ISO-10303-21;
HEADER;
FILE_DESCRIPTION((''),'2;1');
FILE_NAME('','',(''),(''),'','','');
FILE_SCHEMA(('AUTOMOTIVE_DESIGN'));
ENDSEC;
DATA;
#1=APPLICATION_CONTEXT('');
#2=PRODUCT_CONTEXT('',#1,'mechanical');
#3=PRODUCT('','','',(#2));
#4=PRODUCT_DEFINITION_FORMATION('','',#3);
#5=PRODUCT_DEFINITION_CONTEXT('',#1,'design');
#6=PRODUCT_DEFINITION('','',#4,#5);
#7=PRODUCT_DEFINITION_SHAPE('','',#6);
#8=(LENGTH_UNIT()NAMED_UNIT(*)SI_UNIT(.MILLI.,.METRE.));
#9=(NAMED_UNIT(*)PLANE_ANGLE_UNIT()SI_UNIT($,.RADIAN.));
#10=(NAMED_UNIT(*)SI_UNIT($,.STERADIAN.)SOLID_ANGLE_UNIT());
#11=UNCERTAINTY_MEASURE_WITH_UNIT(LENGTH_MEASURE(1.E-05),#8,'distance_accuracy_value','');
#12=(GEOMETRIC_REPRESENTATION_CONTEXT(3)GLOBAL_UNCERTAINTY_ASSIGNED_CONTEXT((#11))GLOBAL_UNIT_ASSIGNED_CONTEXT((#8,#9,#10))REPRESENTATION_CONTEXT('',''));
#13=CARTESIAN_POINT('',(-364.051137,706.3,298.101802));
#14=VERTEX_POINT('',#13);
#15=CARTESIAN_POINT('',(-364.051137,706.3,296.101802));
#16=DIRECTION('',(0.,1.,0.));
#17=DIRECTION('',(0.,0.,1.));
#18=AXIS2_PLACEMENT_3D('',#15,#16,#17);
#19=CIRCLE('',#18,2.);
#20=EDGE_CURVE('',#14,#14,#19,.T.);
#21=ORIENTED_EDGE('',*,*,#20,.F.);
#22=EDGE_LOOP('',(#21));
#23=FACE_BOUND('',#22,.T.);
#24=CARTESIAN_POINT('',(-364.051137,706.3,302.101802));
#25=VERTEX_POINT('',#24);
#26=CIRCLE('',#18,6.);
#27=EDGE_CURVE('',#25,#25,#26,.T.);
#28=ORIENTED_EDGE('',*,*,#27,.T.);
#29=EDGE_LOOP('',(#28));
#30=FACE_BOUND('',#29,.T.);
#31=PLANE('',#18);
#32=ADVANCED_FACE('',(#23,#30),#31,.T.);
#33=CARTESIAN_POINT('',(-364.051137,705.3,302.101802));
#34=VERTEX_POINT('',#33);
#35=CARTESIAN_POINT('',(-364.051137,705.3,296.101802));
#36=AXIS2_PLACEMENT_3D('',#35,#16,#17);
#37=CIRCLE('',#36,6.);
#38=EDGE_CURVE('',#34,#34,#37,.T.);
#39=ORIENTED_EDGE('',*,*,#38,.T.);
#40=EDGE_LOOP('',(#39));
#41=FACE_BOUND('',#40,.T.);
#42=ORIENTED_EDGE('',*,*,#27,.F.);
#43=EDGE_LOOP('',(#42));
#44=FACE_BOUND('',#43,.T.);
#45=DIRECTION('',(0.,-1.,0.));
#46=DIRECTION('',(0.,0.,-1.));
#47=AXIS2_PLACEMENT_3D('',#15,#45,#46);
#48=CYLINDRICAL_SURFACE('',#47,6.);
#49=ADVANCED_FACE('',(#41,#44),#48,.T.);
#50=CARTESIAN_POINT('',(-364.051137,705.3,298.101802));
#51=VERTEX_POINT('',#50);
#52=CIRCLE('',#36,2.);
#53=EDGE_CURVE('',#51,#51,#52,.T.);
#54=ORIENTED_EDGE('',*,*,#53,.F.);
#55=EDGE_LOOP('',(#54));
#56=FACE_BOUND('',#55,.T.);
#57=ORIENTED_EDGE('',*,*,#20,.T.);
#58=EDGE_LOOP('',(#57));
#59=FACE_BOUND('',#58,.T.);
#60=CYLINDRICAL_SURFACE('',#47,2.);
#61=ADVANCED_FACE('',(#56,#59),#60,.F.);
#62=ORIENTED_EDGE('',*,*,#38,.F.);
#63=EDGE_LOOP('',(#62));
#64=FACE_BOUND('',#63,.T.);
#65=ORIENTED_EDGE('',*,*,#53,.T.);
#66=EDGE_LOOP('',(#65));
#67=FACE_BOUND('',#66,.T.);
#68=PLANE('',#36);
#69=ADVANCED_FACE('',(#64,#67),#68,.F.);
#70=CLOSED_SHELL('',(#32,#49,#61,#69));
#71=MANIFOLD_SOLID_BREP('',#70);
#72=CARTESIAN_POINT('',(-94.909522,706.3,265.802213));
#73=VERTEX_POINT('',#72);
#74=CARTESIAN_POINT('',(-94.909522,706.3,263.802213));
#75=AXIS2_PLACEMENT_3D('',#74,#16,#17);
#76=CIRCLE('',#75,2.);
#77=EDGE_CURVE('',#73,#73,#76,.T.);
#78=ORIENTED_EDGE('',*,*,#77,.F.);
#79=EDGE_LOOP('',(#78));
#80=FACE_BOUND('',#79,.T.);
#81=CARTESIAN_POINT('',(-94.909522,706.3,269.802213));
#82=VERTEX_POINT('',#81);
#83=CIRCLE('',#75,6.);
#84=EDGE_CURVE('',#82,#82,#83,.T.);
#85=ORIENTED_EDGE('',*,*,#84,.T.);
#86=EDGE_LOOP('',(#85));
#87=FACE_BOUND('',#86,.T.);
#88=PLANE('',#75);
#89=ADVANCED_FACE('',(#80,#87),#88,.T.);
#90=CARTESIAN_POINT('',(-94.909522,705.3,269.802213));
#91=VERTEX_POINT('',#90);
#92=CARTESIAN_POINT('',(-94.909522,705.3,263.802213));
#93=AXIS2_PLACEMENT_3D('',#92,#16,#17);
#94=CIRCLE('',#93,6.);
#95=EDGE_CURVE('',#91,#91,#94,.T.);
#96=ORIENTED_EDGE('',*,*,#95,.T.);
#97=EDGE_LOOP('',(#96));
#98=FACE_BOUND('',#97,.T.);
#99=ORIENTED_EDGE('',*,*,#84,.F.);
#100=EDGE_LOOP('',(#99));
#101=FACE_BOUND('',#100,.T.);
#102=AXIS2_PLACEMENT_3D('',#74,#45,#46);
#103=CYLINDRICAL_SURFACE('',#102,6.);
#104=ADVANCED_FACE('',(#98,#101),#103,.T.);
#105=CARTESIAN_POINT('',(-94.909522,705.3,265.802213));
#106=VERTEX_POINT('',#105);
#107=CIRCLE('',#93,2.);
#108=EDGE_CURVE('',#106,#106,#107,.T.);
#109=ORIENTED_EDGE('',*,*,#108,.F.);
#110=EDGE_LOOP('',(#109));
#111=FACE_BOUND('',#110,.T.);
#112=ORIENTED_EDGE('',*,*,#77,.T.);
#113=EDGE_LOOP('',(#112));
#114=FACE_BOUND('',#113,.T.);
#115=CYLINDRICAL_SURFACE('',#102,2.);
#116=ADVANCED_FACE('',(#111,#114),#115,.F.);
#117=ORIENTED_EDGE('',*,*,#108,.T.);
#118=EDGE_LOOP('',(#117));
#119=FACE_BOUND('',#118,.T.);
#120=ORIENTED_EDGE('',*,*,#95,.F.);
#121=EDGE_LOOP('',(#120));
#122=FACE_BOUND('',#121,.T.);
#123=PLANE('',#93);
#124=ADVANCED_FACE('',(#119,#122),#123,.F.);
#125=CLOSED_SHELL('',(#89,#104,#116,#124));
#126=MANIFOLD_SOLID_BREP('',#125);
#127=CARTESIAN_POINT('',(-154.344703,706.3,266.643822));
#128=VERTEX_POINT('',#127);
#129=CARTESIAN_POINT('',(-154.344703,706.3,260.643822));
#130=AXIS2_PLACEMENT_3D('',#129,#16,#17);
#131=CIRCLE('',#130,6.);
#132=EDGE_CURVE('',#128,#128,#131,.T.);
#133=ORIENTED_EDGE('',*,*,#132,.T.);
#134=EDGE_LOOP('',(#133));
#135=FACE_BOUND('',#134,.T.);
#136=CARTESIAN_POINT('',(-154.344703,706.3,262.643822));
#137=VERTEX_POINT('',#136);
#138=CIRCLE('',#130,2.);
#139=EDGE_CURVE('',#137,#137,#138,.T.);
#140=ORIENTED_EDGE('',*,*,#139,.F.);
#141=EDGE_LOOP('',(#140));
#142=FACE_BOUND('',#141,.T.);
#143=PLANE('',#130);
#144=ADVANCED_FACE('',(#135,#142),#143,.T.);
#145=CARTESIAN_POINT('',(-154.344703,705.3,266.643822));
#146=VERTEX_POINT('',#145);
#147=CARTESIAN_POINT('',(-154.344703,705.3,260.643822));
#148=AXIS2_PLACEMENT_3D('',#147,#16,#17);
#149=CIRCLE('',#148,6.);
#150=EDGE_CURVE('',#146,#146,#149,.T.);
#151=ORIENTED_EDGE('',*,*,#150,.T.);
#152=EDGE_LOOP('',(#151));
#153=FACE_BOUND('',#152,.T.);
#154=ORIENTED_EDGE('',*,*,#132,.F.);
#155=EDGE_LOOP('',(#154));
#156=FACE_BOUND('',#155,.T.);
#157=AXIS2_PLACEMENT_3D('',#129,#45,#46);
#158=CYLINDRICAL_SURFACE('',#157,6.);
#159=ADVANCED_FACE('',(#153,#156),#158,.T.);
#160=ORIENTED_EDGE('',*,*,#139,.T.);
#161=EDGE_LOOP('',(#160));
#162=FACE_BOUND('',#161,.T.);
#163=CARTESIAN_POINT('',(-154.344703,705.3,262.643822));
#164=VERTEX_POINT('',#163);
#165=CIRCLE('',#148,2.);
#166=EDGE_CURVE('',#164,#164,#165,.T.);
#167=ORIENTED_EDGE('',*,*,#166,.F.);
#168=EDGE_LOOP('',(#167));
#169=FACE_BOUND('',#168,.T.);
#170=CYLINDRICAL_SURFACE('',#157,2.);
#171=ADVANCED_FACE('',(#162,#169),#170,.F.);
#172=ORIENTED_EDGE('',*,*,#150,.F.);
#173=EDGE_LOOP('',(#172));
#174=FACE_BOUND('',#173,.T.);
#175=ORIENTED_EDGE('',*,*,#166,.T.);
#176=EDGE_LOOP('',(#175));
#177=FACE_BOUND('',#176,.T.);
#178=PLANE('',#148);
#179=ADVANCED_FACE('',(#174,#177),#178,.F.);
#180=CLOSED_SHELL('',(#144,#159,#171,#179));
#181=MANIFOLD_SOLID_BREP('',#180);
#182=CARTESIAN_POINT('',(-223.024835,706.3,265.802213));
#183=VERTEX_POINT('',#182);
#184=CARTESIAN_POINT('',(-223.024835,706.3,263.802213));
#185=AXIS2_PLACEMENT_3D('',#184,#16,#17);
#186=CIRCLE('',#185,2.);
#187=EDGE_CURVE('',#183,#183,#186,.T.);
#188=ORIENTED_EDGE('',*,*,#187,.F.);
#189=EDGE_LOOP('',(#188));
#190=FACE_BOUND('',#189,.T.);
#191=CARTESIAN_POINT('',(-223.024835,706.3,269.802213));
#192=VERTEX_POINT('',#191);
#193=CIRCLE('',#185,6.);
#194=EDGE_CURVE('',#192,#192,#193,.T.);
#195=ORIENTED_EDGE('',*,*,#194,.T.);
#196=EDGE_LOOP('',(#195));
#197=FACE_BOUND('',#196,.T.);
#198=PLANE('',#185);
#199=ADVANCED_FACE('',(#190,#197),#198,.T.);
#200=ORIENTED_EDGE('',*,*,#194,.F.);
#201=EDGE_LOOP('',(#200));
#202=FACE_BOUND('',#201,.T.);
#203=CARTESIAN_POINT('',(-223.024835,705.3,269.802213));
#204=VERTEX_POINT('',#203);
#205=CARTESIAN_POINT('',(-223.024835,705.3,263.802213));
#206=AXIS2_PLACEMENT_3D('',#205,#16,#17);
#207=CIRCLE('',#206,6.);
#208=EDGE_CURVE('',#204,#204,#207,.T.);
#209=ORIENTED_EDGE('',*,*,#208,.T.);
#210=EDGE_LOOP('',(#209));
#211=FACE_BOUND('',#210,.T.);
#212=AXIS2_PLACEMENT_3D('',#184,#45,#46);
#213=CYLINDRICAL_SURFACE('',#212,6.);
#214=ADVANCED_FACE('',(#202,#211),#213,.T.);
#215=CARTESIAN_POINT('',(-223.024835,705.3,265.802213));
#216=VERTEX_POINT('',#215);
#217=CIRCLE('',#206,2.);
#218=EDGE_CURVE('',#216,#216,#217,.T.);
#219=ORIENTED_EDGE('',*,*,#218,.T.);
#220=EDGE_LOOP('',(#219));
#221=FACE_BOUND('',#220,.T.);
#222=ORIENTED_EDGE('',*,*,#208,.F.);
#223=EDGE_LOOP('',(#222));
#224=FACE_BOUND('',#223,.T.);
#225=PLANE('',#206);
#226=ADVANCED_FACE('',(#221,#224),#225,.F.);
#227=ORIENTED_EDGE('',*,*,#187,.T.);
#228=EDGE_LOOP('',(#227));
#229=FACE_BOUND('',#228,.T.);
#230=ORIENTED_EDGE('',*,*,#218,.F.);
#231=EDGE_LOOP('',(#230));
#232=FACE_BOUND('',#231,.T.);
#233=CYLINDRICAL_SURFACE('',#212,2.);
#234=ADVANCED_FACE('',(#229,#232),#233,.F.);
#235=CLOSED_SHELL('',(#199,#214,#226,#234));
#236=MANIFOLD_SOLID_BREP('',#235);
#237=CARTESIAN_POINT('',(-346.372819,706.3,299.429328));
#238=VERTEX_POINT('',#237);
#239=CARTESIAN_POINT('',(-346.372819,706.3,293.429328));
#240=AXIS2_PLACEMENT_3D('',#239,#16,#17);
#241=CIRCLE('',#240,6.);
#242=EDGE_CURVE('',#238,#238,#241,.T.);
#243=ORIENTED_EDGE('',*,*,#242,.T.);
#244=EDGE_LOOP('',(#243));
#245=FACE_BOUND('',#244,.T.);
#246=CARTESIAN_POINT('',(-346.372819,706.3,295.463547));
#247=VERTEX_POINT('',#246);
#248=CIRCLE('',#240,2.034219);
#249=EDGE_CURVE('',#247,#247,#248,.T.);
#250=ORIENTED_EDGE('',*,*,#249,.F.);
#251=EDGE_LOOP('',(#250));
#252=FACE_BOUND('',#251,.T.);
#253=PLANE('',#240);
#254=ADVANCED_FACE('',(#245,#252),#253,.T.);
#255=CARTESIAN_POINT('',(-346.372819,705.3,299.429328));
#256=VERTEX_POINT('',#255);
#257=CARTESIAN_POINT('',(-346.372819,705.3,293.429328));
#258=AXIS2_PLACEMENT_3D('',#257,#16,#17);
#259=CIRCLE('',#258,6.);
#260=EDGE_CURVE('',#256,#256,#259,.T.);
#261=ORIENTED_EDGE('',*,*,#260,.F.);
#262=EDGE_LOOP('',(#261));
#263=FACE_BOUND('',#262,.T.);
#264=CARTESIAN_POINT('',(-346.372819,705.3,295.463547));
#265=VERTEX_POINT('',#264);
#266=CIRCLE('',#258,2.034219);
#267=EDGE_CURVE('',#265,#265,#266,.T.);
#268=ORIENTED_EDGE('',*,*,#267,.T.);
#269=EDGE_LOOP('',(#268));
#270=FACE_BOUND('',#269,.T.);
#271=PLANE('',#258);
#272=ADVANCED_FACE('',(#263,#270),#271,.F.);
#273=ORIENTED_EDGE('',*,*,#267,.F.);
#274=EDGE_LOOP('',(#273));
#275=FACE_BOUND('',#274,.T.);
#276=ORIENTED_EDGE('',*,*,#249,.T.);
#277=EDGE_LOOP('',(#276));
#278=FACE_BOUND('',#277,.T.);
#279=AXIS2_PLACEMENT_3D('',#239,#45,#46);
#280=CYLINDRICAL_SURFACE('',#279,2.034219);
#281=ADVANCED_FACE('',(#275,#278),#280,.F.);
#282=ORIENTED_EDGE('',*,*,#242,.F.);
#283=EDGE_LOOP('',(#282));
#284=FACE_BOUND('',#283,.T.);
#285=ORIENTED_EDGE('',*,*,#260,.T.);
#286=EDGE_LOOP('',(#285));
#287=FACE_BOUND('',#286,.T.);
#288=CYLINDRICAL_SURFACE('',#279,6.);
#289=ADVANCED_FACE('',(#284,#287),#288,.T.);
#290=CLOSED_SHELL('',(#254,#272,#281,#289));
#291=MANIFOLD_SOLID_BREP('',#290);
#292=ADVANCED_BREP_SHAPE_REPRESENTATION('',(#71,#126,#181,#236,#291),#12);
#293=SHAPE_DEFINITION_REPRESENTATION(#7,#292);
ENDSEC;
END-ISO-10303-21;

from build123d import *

# Parameters (mm, degrees)
SZKIC1_R                      = 6
SZKIC1_R_2                    = 2
DODANIE_WYCI_GNI_CIE1_DEPTH   = 1
DODANIE_WYCI_GNI_CIE1_2_DEPTH = 1
DODANIE_WYCI_GNI_CIE1_3_DEPTH = 1
SZKIC1_R_3                    = 2.034219479
DODANIE_WYCI_GNI_CIE1_4_DEPTH = 1
DODANIE_WYCI_GNI_CIE1_5_DEPTH = 1


with BuildPart() as part:
    # Szkic1 → Dodanie-wyciągnięcie1 (new body)
    with BuildSketch(Plane(origin=(0, 705.3, 0), x_dir=(1, 0, 0), z_dir=(0, 1, 0))):
        with Locations((-94.909521544, -263.802212936)):
            Circle(SZKIC1_R)
        with Locations((-94.909521544, -263.802212936)):
            Circle(SZKIC1_R_2, mode=Mode.SUBTRACT)
    extrude(amount=DODANIE_WYCI_GNI_CIE1_DEPTH)


with BuildPart() as body_2:
    # Szkic1 → Dodanie-wyci_gni_cie1 2 (new body)
    with BuildSketch(Plane(origin=(0, 705.3, 0), x_dir=(1, 0, 0), z_dir=(0, 1, 0))):
        with Locations((-154.344703344, -260.643821632)):
            Circle(SZKIC1_R)
        with Locations((-154.344703344, -260.643821632)):
            Circle(SZKIC1_R_2, mode=Mode.SUBTRACT)
    extrude(amount=DODANIE_WYCI_GNI_CIE1_2_DEPTH)


with BuildPart() as body_3:
    # Szkic1 → Dodanie-wyci_gni_cie1 3 (new body)
    with BuildSketch(Plane(origin=(0, 705.3, 0), x_dir=(1, 0, 0), z_dir=(0, 1, 0))):
        with Locations((-223.024834581, -263.802212936)):
            Circle(SZKIC1_R)
        with Locations((-223.024834581, -263.802212936)):
            Circle(SZKIC1_R_2, mode=Mode.SUBTRACT)
    extrude(amount=DODANIE_WYCI_GNI_CIE1_3_DEPTH)


with BuildPart() as body_4:
    # Szkic1 → Dodanie-wyci_gni_cie1 4 (new body)
    with BuildSketch(Plane(origin=(0, 705.3, 0), x_dir=(1, 0, 0), z_dir=(0, 1, 0))):
        with Locations((-346.372819064, -293.429327819)):
            Circle(SZKIC1_R)
        with Locations((-346.372819064, -293.429327819)):
            Circle(SZKIC1_R_3, mode=Mode.SUBTRACT)
    extrude(amount=DODANIE_WYCI_GNI_CIE1_4_DEPTH)


with BuildPart() as body_5:
    # Szkic1 → Dodanie-wyci_gni_cie1 5 (new body)
    with BuildSketch(Plane(origin=(0, 705.3, 0), x_dir=(1, 0, 0), z_dir=(0, 1, 0))):
        with Locations((-364.051137421, -296.101801859)):
            Circle(SZKIC1_R)
        with Locations((-364.051137421, -296.101801859)):
            Circle(SZKIC1_R_2, mode=Mode.SUBTRACT)
    extrude(amount=DODANIE_WYCI_GNI_CIE1_5_DEPTH)


solid = Compound([part.part, body_2.part, body_3.part, body_4.part, body_5.part])
